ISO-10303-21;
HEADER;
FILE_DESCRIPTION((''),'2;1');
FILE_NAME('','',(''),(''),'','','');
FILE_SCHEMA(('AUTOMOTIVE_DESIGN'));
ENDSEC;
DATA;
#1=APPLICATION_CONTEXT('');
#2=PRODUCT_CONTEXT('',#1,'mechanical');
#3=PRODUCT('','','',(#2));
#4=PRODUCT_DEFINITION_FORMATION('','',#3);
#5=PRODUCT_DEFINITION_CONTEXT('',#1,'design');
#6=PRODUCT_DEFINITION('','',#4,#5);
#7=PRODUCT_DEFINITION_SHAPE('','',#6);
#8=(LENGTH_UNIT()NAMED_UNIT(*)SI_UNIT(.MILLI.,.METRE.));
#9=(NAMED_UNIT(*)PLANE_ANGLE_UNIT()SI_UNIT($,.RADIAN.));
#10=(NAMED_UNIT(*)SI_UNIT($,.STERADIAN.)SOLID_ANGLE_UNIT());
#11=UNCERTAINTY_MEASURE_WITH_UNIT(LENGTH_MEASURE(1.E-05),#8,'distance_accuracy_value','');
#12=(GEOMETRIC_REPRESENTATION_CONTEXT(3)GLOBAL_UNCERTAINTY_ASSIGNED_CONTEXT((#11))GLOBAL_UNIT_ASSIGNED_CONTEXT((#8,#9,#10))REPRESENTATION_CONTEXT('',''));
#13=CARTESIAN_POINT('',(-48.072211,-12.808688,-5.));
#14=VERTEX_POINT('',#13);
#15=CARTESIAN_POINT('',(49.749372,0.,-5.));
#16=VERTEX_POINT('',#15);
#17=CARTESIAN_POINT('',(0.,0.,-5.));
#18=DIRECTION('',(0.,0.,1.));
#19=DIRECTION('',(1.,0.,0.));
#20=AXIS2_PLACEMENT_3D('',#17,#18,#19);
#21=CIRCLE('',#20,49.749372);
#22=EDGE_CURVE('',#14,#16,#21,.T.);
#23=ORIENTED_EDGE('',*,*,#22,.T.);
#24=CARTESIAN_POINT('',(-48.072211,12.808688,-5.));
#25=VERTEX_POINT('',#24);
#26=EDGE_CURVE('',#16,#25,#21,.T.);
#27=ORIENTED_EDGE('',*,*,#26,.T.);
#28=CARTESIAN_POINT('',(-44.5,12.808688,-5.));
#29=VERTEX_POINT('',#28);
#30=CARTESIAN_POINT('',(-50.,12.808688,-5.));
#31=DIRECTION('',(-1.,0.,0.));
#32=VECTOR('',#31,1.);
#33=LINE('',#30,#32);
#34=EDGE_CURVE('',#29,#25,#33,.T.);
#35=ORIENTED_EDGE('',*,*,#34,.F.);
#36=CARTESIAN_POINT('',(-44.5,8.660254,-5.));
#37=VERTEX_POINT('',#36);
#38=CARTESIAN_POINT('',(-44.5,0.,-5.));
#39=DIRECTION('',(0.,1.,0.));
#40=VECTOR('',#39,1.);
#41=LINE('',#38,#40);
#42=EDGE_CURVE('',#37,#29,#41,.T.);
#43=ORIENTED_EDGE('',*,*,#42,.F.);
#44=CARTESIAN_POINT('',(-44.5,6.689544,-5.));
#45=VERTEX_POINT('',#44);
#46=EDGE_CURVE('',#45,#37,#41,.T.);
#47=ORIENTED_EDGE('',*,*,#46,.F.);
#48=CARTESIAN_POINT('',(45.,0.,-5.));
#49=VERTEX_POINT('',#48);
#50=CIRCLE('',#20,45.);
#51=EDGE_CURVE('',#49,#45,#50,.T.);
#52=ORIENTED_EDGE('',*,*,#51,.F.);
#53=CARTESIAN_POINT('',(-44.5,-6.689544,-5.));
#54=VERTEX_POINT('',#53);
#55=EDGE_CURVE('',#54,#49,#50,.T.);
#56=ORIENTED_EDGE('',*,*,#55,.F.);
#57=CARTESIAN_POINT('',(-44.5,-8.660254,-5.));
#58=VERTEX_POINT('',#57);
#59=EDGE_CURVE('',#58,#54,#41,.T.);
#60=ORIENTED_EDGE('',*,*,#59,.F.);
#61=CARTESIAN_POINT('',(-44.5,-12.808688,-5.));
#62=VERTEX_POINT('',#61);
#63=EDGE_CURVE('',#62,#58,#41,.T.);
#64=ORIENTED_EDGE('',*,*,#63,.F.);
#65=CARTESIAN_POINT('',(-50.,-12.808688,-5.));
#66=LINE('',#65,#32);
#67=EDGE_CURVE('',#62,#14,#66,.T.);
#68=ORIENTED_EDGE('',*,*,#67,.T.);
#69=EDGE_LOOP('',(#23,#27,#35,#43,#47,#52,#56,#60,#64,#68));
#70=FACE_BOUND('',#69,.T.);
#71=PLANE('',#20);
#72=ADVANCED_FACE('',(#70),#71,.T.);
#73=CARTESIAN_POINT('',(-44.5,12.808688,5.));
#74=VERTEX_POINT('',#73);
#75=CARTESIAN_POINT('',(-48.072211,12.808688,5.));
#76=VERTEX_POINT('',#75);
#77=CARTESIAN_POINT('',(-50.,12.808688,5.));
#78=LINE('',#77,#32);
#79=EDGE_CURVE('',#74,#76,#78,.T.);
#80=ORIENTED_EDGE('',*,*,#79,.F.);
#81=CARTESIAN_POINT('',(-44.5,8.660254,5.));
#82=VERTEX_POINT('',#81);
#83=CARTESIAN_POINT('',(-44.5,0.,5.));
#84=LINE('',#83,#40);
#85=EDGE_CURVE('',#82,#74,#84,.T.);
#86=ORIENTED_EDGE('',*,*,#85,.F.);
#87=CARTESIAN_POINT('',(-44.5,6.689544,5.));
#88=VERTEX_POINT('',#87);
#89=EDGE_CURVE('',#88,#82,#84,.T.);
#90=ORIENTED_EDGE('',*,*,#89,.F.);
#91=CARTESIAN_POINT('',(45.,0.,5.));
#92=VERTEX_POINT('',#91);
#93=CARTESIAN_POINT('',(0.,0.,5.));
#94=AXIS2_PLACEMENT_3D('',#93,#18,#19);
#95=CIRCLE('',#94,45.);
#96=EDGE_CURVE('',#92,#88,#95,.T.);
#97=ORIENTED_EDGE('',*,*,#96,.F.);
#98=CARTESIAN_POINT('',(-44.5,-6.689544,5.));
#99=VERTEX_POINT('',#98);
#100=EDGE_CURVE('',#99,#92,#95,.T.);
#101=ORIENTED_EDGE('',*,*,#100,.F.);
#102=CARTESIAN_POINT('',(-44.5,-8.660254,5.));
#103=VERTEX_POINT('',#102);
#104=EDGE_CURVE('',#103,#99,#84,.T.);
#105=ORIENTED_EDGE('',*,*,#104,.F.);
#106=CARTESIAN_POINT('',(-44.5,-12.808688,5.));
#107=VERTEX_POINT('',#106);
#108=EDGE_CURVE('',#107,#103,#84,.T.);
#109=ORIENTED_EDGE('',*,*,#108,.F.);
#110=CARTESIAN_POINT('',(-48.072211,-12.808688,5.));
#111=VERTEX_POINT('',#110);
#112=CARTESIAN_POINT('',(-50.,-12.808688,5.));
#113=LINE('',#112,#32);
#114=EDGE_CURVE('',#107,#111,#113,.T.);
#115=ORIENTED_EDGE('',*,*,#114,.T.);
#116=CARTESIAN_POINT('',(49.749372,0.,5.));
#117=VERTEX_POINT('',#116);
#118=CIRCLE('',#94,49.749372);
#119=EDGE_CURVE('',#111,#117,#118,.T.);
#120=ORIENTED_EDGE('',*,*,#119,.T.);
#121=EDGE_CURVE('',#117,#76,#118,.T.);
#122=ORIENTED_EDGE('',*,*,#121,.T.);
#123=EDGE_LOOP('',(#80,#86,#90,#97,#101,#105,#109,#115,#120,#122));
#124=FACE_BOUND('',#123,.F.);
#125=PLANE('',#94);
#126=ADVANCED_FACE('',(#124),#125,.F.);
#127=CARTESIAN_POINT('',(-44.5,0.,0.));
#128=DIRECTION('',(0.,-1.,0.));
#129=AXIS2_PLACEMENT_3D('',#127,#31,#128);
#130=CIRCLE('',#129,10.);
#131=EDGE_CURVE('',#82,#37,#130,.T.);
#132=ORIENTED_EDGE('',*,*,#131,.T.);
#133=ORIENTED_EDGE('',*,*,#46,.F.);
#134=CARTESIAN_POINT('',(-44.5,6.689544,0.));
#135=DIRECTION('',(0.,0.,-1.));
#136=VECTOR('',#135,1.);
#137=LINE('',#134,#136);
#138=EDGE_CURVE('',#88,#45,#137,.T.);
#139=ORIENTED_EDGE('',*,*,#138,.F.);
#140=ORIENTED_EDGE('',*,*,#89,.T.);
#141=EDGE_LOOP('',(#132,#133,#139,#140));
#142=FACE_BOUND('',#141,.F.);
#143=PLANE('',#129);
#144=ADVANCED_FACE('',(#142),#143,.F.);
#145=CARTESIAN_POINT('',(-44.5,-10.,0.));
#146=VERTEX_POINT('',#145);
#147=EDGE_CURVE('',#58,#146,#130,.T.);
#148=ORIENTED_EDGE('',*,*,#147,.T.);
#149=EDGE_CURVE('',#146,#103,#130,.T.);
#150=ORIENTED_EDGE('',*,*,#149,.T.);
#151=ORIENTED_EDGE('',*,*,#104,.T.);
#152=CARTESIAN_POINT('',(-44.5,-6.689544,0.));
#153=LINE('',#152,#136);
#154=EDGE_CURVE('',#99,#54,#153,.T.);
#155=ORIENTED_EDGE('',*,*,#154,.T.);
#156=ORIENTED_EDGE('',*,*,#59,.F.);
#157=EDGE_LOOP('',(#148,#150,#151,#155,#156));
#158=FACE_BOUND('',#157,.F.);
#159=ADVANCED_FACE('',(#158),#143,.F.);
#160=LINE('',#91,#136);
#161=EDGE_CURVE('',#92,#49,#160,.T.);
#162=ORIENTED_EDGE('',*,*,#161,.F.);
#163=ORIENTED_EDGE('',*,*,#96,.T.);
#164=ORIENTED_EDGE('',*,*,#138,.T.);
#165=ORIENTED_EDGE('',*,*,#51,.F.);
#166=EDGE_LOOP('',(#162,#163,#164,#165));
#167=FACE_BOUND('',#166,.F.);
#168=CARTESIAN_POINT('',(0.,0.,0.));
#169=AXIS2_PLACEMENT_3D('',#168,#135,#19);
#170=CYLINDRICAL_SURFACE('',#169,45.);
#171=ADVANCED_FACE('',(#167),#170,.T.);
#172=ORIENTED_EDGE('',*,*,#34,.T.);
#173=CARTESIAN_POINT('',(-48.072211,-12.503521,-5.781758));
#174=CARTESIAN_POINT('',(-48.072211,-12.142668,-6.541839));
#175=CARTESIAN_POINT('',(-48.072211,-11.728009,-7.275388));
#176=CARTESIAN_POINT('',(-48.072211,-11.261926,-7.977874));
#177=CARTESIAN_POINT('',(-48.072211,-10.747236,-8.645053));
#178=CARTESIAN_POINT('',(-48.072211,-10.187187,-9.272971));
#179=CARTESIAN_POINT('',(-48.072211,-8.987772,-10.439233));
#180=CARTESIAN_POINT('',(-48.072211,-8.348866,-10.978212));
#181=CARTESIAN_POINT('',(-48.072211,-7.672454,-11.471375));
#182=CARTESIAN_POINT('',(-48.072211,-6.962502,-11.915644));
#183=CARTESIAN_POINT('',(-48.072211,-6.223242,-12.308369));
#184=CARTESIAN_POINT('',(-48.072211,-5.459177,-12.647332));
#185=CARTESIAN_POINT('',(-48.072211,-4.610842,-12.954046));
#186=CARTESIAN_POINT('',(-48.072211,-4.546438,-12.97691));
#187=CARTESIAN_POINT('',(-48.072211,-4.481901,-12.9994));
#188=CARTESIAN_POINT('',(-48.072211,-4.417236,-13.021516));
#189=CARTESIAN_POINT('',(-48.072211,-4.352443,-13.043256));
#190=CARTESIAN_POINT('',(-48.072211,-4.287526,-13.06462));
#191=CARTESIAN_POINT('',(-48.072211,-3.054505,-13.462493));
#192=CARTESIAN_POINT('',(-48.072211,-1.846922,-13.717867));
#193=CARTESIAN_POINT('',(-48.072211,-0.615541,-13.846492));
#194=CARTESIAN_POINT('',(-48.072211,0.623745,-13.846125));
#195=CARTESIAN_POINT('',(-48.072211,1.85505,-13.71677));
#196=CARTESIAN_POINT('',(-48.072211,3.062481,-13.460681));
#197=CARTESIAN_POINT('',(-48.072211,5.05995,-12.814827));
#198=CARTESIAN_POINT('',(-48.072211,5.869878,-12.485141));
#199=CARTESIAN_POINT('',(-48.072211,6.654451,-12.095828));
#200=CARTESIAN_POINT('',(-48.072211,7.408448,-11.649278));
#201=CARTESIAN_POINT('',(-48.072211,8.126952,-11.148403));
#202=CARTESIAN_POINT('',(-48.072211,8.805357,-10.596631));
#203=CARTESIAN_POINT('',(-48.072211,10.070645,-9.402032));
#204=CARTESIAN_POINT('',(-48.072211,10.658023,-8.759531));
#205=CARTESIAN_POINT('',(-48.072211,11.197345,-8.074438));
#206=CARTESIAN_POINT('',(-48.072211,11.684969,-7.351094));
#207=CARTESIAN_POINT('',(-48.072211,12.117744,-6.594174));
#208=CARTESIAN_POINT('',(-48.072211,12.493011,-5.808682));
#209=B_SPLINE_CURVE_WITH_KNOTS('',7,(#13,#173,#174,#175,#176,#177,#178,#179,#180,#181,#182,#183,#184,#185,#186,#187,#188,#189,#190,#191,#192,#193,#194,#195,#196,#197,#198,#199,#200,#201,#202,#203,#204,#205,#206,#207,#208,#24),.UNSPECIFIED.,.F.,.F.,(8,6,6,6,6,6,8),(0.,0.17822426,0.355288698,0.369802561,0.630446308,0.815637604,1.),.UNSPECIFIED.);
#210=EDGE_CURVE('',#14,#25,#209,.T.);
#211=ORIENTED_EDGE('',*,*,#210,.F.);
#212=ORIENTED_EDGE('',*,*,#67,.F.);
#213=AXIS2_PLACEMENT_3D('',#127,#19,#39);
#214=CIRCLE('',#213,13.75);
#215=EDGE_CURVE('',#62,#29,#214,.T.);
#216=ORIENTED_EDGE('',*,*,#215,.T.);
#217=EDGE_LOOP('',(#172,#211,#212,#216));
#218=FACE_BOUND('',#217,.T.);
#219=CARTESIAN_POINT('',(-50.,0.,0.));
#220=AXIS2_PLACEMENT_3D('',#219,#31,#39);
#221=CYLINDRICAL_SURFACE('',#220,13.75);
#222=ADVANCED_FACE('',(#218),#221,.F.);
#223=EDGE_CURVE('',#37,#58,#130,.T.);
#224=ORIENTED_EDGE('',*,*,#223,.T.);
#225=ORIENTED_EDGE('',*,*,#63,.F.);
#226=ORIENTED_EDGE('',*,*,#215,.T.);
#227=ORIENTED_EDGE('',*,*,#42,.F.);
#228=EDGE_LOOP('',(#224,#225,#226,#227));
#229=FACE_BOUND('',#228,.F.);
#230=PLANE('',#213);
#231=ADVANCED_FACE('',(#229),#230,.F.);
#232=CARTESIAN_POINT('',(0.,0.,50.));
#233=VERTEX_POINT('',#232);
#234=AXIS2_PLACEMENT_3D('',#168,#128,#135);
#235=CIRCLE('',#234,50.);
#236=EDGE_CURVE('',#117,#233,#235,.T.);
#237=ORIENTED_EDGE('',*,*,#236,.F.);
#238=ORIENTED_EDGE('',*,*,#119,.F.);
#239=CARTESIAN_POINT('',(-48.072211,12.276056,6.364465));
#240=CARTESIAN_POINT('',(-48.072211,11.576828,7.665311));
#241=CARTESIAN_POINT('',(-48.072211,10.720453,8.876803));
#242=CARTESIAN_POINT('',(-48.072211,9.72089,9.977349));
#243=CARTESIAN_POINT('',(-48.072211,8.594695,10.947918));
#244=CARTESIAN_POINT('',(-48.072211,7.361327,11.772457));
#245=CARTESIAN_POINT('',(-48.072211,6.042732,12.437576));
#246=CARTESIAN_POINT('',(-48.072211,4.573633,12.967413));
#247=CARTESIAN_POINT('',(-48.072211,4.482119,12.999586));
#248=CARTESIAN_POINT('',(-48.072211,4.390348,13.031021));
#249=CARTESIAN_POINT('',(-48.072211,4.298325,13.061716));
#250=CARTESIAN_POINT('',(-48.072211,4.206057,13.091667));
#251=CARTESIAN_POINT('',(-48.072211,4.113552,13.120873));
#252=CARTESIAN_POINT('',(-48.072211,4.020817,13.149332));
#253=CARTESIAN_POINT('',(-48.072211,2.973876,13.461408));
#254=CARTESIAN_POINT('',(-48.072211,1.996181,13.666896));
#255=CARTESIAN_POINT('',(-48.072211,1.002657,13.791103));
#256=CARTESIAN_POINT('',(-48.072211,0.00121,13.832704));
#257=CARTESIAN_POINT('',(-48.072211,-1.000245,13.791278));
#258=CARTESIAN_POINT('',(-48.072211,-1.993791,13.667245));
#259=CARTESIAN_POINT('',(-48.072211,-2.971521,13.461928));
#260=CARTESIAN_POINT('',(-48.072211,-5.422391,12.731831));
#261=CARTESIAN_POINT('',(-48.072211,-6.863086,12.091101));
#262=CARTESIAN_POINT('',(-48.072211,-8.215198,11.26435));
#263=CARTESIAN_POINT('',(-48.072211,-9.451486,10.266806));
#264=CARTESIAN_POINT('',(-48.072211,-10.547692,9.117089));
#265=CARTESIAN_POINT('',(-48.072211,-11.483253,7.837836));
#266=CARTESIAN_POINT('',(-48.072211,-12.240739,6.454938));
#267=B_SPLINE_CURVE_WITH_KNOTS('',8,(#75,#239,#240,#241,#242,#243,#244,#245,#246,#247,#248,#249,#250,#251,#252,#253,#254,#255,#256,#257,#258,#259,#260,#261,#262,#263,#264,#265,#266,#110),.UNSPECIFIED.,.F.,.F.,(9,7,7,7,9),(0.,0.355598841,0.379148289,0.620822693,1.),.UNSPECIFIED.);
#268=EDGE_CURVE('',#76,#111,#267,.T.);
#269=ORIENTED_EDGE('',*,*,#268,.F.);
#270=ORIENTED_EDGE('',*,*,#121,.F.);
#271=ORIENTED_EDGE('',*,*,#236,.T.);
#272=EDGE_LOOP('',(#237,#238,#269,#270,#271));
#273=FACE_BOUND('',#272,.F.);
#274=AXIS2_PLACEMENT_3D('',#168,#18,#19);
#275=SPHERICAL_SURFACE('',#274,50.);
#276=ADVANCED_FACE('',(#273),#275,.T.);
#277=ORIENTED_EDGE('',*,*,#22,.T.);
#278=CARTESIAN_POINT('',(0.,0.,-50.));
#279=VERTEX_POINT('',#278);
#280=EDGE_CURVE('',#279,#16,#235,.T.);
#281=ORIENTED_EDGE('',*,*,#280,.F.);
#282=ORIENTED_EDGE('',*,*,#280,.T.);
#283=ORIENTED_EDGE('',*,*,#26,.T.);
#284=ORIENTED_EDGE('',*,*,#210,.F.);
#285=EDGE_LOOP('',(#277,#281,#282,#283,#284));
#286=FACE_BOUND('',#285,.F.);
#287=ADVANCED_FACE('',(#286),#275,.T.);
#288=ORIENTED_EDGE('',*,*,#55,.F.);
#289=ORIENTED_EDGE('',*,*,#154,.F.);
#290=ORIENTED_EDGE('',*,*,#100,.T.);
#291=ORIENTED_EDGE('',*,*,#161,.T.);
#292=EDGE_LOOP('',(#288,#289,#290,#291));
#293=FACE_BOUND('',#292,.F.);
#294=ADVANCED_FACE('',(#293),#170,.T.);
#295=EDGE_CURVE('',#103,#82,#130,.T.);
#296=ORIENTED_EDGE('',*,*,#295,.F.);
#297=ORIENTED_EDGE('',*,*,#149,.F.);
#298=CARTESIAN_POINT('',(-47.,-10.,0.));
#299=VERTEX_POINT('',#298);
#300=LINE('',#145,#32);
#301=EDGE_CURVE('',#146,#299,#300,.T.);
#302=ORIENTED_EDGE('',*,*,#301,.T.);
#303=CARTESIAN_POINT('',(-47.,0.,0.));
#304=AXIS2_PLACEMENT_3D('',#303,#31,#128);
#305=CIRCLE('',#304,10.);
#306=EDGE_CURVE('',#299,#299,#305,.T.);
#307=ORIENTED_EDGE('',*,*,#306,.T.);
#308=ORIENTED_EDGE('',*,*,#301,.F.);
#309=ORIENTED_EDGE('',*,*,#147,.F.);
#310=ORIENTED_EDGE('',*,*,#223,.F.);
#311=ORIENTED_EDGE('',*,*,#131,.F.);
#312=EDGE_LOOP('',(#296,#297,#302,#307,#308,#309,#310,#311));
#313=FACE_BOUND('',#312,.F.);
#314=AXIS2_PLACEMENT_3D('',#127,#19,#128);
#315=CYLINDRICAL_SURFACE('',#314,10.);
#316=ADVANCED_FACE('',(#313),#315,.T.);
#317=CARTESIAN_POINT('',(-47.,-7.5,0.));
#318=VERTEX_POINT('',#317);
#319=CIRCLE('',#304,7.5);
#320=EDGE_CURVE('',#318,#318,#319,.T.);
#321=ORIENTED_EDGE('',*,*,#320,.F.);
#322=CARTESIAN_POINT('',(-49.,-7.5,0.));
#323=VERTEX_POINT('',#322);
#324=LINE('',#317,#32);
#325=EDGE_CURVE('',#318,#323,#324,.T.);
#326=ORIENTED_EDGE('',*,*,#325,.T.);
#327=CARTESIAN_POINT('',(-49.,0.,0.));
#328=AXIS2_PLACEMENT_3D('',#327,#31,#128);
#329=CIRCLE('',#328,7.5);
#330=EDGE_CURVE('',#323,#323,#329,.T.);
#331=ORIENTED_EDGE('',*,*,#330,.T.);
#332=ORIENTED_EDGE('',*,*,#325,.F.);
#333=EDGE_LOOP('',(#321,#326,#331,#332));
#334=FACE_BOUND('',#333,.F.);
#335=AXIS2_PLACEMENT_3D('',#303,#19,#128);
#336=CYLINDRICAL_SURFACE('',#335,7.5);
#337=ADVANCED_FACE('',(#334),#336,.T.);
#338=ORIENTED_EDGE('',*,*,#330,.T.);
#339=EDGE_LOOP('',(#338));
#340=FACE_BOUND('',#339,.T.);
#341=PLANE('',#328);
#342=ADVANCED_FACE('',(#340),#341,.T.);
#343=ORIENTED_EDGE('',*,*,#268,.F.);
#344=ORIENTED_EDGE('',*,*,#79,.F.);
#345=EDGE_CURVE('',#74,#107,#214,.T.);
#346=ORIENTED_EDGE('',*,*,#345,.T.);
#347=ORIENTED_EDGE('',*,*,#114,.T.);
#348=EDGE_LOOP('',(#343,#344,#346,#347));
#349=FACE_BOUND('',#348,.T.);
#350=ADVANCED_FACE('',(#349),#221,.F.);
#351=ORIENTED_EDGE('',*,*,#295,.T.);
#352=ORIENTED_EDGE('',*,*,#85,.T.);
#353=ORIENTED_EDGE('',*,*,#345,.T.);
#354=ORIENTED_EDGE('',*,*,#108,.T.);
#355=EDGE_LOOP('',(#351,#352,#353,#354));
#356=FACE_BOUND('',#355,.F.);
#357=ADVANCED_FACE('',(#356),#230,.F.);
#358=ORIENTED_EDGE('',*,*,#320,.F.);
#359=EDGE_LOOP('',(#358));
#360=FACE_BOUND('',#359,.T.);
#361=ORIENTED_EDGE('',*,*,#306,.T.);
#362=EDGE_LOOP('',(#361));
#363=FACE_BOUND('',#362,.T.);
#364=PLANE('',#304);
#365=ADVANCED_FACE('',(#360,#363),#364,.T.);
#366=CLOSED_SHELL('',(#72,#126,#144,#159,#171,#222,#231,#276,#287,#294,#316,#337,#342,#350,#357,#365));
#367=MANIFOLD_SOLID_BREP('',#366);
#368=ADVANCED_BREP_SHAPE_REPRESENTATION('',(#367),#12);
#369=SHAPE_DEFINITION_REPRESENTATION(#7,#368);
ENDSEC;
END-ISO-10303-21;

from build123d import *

# Parameters (mm, degrees)
F2_R      = 50
F2_R_2    = 45
F3_DEPTH  = 5
F5_R      = 13.75
F6_DEPTH  = 5.5
F7_R      = 10
F8_DEPTH  = 2.5
F9_R      = 7.5
F10_DEPTH = 2


with BuildPart() as f1:
    # F0 (on Front) → F1 (revolve)
    with BuildSketch(Plane.XZ):
        with BuildLine():
            Line((0, 50), (0, -50))
            ThreePointArc((0, -50), (50, 0), (0, 50))
        make_face()
    revolve(axis=Axis((0, 0, 0), (0, 0, -1)))

    # F2 (on Top) → F3 (cut, symmetric)
    with BuildSketch(Plane.XY):
        Circle(F2_R)
        Circle(F2_R_2, mode=Mode.SUBTRACT)
    extrude(amount=F3_DEPTH, both=True, mode=Mode.SUBTRACT)

    # F5 (on offset) → F6 (cut)
    with BuildSketch(Plane.YZ.offset(-50)):
        Circle(F5_R)
    extrude(amount=F6_DEPTH, mode=Mode.SUBTRACT)

    # F7 (on face) → F8 (join)
    with BuildSketch(Plane(origin=(-44.5, 0, 0), x_dir=(0, -1, 0), z_dir=(-1, 0, 0))):
        Circle(F7_R)
    extrude(amount=F8_DEPTH)

    # F9 (on face) → F10 (join)
    with BuildSketch(Plane(origin=(-47, 0, 0), x_dir=(0, -1, 0), z_dir=(-1, 0, 0))):
        Circle(F9_R)
    extrude(amount=F10_DEPTH)


solid = f1.part
